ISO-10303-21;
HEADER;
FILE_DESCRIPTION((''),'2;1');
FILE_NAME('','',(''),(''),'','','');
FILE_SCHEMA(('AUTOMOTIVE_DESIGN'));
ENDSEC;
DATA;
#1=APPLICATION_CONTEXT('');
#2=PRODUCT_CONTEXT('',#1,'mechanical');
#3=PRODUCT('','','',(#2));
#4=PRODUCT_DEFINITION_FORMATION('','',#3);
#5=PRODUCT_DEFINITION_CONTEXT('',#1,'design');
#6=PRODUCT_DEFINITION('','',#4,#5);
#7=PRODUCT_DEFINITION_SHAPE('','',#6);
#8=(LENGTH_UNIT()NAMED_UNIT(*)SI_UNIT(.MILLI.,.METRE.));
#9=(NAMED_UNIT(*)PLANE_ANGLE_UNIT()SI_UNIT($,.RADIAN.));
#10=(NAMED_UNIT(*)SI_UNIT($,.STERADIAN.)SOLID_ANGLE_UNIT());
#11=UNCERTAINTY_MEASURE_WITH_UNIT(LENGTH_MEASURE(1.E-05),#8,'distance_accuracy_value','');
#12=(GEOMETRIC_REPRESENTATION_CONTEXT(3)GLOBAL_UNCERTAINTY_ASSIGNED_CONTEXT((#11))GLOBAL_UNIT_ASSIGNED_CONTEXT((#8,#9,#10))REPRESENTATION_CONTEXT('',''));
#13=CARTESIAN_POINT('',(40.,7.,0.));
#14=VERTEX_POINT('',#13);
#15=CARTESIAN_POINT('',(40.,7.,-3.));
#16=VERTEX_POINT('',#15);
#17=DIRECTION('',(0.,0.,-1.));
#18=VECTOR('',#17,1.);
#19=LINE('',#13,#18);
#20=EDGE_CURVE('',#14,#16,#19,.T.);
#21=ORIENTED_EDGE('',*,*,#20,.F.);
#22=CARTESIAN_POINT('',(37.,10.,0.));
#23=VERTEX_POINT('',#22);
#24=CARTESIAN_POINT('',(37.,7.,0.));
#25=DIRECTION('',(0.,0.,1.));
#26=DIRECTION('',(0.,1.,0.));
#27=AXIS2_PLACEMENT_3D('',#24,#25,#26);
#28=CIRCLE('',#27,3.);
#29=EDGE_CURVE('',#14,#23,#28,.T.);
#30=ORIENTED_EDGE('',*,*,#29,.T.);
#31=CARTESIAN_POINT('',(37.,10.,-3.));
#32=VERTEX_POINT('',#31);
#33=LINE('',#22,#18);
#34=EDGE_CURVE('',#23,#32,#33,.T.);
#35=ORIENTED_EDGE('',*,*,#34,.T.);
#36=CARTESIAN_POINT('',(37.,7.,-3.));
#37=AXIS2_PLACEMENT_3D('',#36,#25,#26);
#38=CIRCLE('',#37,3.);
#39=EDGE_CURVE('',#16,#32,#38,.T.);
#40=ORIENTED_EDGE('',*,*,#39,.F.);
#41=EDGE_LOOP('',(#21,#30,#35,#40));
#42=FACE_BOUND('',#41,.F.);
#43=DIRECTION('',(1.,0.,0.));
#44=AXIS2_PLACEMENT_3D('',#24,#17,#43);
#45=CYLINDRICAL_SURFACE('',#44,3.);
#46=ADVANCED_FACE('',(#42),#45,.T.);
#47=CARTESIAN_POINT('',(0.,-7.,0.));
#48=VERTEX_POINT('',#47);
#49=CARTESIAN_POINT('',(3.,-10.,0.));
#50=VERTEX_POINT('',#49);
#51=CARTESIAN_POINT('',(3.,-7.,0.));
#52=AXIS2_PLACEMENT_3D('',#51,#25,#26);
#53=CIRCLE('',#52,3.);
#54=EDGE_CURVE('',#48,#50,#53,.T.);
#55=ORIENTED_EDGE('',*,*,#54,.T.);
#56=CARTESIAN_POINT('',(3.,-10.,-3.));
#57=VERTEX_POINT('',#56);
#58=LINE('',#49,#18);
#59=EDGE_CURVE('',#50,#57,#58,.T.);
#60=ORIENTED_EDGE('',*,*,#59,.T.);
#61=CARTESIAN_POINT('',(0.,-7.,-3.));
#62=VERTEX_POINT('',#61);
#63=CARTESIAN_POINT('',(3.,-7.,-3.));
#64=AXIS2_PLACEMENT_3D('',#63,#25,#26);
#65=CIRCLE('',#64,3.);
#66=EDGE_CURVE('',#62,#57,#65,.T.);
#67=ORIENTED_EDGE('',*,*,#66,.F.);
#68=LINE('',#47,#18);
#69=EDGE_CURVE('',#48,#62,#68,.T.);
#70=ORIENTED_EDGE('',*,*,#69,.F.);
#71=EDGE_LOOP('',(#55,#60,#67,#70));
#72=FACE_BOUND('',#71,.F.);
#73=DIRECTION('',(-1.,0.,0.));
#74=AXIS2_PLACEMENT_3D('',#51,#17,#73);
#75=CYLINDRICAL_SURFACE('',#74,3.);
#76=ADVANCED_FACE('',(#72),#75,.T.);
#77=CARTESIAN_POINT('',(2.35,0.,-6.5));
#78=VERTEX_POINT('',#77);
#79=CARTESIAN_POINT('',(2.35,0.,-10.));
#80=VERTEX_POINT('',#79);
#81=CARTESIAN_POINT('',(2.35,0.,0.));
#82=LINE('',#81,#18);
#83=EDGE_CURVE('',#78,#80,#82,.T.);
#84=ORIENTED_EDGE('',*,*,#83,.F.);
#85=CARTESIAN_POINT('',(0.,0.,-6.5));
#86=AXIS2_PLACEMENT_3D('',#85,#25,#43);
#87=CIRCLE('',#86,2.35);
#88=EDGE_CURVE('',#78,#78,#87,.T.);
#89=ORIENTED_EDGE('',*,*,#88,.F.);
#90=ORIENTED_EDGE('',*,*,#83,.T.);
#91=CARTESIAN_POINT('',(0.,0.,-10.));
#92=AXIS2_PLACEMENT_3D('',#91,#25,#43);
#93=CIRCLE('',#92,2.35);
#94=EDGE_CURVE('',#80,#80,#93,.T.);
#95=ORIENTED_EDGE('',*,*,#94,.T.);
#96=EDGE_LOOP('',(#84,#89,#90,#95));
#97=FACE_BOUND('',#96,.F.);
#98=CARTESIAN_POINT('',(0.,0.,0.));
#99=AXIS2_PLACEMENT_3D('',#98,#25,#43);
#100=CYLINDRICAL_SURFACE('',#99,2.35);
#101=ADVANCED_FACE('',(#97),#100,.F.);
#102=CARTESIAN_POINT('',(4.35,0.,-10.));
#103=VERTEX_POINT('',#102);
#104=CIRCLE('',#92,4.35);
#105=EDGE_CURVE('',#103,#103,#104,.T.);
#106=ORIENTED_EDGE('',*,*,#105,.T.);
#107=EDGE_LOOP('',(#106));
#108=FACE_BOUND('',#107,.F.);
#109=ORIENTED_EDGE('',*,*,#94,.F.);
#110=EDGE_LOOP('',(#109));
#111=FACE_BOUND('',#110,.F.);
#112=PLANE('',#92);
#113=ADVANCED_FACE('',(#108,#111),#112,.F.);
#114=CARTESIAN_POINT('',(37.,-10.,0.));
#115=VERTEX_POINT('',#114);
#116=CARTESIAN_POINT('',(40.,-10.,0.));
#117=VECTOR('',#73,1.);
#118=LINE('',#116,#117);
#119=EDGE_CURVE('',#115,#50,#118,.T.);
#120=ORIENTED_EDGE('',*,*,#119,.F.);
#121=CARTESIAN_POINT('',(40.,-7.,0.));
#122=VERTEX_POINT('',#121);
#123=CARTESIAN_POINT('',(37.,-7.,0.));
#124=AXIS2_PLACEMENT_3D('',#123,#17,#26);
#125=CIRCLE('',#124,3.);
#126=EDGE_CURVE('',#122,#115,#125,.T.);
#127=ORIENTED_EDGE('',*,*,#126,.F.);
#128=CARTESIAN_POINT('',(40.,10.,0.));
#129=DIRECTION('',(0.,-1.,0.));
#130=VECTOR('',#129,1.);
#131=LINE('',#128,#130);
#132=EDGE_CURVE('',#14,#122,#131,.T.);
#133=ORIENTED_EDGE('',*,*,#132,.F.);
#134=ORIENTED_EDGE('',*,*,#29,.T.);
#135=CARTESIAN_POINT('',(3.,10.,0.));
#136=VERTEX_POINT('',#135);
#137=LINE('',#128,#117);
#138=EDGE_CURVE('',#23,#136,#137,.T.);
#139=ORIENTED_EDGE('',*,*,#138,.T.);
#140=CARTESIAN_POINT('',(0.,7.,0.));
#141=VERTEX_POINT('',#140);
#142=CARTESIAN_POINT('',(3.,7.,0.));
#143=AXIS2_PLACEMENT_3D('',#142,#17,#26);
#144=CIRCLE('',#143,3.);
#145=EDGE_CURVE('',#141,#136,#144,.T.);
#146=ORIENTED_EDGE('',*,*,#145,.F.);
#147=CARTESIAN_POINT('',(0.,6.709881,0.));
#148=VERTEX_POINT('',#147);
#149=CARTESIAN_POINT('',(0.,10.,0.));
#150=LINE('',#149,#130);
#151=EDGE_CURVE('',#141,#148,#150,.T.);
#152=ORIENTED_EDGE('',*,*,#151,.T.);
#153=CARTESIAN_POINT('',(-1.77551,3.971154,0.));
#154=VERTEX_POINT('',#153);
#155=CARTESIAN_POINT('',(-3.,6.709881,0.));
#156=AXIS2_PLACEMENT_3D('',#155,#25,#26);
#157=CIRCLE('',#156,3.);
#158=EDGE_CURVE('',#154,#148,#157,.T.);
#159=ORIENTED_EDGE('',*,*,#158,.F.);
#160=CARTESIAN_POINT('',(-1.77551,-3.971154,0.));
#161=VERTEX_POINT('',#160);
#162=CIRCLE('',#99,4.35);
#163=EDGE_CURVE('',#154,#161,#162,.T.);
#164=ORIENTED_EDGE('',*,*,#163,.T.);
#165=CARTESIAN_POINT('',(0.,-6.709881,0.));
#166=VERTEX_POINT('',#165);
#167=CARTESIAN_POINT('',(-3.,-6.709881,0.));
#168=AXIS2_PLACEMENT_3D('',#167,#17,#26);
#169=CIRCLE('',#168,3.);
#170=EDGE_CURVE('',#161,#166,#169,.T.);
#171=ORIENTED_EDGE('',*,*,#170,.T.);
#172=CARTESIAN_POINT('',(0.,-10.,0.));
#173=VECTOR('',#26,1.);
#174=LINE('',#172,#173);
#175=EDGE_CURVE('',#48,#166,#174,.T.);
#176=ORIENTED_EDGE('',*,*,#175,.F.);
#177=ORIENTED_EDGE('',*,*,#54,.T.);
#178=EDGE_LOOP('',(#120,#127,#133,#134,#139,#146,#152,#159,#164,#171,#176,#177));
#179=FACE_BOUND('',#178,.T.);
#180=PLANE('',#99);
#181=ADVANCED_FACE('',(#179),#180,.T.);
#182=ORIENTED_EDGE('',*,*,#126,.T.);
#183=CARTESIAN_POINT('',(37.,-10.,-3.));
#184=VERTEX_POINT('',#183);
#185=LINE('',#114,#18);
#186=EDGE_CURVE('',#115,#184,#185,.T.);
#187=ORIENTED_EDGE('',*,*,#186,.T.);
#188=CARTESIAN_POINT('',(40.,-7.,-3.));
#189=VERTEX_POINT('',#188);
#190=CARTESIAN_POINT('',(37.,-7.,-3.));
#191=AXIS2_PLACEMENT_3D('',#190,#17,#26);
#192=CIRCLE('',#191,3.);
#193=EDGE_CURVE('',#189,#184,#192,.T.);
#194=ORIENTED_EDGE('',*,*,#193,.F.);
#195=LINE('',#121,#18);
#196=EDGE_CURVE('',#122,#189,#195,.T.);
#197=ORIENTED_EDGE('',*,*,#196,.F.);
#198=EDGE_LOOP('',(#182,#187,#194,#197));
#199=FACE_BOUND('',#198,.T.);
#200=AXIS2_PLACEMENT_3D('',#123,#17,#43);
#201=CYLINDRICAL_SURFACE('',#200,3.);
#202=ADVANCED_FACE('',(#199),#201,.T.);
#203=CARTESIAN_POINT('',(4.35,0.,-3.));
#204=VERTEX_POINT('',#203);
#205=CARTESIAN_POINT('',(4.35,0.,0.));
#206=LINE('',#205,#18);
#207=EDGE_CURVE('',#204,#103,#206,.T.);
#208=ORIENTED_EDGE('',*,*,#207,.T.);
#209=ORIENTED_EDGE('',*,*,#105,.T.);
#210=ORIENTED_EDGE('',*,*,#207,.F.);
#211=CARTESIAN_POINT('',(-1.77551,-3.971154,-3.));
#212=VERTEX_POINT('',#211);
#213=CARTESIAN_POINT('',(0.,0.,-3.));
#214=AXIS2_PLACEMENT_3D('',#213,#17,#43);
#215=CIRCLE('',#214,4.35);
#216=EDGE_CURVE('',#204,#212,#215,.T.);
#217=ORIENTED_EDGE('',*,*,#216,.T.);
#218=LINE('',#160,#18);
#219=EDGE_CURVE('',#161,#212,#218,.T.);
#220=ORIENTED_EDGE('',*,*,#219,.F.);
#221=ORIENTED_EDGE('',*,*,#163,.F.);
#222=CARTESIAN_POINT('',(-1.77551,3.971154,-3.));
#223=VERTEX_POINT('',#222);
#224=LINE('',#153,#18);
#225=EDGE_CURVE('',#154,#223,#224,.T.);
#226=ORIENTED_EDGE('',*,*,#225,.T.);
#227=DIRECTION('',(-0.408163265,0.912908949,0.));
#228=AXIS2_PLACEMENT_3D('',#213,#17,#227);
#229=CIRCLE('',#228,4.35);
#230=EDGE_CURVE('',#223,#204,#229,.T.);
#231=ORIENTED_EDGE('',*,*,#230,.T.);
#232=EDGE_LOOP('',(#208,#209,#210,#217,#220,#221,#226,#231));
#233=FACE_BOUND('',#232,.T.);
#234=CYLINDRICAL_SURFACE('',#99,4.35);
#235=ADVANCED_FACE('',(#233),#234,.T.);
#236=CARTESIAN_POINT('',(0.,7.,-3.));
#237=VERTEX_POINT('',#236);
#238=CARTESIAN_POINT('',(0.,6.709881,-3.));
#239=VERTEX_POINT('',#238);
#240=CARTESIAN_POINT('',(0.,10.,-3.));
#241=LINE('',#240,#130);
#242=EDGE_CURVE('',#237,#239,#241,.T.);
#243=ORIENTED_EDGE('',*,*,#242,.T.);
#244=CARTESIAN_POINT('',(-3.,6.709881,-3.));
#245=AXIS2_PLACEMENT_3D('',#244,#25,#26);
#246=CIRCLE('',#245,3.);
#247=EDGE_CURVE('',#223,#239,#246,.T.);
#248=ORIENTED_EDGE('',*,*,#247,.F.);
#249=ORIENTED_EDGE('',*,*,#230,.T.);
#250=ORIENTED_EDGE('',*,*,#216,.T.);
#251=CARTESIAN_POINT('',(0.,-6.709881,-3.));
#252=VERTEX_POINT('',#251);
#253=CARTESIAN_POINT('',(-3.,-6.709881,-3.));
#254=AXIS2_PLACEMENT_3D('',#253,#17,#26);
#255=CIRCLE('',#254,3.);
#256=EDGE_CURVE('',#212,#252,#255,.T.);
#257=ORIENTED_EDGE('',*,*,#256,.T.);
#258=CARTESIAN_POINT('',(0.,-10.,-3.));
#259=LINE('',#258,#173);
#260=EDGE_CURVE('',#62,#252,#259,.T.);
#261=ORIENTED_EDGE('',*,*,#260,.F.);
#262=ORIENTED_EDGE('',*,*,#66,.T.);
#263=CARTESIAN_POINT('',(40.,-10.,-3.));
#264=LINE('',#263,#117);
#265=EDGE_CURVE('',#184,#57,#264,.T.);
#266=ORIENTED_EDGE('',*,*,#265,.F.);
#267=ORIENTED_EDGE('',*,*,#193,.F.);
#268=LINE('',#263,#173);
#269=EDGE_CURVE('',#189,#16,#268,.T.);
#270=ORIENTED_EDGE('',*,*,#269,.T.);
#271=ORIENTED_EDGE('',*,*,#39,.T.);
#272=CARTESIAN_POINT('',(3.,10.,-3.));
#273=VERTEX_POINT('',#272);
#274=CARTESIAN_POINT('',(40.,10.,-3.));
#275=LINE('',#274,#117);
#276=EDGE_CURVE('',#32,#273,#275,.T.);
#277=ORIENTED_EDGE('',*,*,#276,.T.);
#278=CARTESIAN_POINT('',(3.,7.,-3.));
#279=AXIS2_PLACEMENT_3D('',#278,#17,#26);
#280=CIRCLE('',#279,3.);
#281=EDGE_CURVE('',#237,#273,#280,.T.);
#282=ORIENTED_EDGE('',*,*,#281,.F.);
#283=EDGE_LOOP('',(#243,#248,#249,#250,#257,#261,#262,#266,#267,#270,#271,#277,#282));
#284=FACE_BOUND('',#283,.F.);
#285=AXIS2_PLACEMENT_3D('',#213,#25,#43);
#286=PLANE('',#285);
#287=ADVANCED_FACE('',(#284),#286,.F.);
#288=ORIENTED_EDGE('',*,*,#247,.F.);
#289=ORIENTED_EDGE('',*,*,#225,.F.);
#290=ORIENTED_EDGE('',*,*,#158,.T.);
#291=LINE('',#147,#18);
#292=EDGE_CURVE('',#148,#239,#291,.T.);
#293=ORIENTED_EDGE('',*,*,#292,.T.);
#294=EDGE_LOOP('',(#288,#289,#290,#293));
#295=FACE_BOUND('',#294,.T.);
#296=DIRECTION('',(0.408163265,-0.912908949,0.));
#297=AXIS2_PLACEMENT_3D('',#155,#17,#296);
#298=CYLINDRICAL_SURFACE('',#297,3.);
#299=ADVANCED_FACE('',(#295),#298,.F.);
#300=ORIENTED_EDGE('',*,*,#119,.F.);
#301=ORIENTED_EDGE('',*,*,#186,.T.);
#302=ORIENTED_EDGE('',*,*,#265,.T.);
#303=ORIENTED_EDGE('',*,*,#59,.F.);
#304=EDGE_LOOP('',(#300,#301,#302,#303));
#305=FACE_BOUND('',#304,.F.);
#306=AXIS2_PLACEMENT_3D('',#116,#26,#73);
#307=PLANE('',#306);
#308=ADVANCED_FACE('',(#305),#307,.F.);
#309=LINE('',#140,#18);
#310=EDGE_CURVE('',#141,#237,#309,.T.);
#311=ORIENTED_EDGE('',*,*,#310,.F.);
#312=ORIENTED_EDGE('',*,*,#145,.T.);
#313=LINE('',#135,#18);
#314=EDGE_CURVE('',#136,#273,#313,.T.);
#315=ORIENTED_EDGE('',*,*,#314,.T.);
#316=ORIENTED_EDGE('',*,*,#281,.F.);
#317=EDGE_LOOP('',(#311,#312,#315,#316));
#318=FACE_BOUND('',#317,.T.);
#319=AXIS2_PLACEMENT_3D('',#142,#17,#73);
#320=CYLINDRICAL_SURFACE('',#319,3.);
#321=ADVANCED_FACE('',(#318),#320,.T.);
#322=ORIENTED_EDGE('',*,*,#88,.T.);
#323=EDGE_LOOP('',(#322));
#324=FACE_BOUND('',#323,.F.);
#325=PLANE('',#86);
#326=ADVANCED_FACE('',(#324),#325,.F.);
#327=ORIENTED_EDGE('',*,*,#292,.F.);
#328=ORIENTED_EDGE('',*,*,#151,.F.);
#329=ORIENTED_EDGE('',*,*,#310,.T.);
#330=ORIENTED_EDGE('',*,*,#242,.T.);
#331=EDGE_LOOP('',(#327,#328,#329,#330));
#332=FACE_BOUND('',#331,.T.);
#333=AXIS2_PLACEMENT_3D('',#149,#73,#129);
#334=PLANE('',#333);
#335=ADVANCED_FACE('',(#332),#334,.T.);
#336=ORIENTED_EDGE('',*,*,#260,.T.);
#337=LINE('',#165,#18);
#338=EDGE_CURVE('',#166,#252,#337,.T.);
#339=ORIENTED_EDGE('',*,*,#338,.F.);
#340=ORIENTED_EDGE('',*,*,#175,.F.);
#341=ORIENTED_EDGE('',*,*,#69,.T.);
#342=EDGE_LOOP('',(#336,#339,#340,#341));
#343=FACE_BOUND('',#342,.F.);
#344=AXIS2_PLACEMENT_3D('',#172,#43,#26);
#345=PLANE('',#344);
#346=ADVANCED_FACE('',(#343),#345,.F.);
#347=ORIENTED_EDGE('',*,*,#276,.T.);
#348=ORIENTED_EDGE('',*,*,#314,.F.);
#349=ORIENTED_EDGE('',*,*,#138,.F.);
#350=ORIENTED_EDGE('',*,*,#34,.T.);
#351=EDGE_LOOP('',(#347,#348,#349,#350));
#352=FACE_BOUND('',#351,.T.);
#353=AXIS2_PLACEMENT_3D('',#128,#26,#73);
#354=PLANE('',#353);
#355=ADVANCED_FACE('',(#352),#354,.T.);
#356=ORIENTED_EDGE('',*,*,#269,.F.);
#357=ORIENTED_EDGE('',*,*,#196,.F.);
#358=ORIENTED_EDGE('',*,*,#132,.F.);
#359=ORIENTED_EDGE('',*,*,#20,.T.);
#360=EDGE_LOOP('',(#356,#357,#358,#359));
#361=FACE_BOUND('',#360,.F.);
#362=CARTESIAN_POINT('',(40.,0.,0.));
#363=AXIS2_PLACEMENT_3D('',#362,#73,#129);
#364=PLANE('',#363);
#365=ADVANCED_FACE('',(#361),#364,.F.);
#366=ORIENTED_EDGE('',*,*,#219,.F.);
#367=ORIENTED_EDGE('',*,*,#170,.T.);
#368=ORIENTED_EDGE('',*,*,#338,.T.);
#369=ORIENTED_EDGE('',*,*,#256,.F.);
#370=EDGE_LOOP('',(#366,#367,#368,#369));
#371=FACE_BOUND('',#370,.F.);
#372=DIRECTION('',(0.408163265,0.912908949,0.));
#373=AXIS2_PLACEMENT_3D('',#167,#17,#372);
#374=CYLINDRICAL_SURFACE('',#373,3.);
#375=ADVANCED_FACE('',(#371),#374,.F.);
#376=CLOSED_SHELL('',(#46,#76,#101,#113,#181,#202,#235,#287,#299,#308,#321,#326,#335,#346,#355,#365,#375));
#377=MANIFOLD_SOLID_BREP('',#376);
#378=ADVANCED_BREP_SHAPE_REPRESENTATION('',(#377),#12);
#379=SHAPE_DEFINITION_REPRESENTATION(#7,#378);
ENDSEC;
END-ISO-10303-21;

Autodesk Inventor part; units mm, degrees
ref_plane "YZ Plane" through (0, 0, 0) normal (1, 0, 0) x (0, 1, 0)
ref_plane "XZ Plane" through (0, 0, 0) normal (0, 1, 0) x (-1, 0, 0)
ref_plane "XY Plane" through (0, 0, 0) normal (0, 0, 1) x (1, 0, 0)
sketch "Sketch3" plane through (0, 0, 0) normal (0, 0, 1) x (1, 0, 0)
  circle A0 centre (0, 0) radius 2.35
  circle A1 centre (0, 0) radius 4.35
  dimension "d8" = 4.7
  dimension "d9" = 2
extrude "Extrusion3" add sketch "Sketch3" against normal blind 10
sketch "Sketch4" plane through (0, 0, 0) normal (0, 0, 1) x (1, 0, 0)
  circle A0 centre (0, 0) radius 4.35 projected
  circle A1 centre (0, 0) radius 2.35 projected
  line L0 (0, 0) -> (40, 0)
  line L1 (40, 0) -> (40, 10)
  line L2 (40, 10) -> (0, 10)
  line L3 (0, 10) -> (0, 0)
  line L4 (40, 0) -> (40, -10)
  line L5 (40, -10) -> (0, -10)
  line L6 (0, -10) -> (0, 0)
  point P0 (0, 4.35)
  point P1 (0, -4.35)
  dimension "d12" = 40
  dimension "d13" = 10
extrude "Extrusion4" add sketch "Sketch4" against normal blind 3 contours L0 L4 L5 L6 A0 | A0 L3 L2 L1 L0
fillet "Fillet1" radius 3 6 edges at (0, -4.35, -1.5) (0, 4.35, -1.5) (0, -10, -1.5) (0, 10, -1.5) (40, 10, -1.5) (40, -10, -1.5)
sketch "Sketch5" plane through (0, 0, 0) normal (0, 0, 1) x (1, 0, 0)
  circle A0 centre (0, 0) radius 2.35 projected
extrude "Extrusion5" add sketch "Sketch5" against normal blind 6.5
sketch "Sketch6" plane through (0, 0, -3) normal (0, 0, -1) x (-1, 0, 0)
  arc A0 (-40, -7) -> (-37, -10) centre (-37, -7) ccw projected
  line L0 (-37, -10) -> (-3, -10) projected
  arc A1 (-3, -10) -> (0, -7) centre (-3, -7) ccw projected
  line L1 (0, -7) -> (0, -6.7099) projected
  arc A2 (1.7755, -3.9712) -> (0, -6.7099) centre (3, -6.7099) ccw projected
  arc A3 (1.7755, 3.9712) -> (1.7755, -3.9712) centre (0, 0) ccw projected
  arc A4 (0, 6.7099) -> (1.7755, 3.9712) centre (3, 6.7099) ccw projected
  line L2 (0, 6.7099) -> (0, 7) projected
  arc A5 (0, 7) -> (-3, 10) centre (-3, 7) ccw projected
  line L3 (-3, 10) -> (-37, 10) projected
  arc A6 (-37, 10) -> (-40, 7) centre (-37, 7) ccw projected
  line L4 (-40, 7) -> (-40, -7) projected
  line L5 (-20, -10) -> (-20, 10)
  line L6 (-40, 0) -> (-20, 0)
  circle A7 centre (-30, 0) radius 5.279
  dimension "d19" = 10.558
properties part number "TutupTank"
